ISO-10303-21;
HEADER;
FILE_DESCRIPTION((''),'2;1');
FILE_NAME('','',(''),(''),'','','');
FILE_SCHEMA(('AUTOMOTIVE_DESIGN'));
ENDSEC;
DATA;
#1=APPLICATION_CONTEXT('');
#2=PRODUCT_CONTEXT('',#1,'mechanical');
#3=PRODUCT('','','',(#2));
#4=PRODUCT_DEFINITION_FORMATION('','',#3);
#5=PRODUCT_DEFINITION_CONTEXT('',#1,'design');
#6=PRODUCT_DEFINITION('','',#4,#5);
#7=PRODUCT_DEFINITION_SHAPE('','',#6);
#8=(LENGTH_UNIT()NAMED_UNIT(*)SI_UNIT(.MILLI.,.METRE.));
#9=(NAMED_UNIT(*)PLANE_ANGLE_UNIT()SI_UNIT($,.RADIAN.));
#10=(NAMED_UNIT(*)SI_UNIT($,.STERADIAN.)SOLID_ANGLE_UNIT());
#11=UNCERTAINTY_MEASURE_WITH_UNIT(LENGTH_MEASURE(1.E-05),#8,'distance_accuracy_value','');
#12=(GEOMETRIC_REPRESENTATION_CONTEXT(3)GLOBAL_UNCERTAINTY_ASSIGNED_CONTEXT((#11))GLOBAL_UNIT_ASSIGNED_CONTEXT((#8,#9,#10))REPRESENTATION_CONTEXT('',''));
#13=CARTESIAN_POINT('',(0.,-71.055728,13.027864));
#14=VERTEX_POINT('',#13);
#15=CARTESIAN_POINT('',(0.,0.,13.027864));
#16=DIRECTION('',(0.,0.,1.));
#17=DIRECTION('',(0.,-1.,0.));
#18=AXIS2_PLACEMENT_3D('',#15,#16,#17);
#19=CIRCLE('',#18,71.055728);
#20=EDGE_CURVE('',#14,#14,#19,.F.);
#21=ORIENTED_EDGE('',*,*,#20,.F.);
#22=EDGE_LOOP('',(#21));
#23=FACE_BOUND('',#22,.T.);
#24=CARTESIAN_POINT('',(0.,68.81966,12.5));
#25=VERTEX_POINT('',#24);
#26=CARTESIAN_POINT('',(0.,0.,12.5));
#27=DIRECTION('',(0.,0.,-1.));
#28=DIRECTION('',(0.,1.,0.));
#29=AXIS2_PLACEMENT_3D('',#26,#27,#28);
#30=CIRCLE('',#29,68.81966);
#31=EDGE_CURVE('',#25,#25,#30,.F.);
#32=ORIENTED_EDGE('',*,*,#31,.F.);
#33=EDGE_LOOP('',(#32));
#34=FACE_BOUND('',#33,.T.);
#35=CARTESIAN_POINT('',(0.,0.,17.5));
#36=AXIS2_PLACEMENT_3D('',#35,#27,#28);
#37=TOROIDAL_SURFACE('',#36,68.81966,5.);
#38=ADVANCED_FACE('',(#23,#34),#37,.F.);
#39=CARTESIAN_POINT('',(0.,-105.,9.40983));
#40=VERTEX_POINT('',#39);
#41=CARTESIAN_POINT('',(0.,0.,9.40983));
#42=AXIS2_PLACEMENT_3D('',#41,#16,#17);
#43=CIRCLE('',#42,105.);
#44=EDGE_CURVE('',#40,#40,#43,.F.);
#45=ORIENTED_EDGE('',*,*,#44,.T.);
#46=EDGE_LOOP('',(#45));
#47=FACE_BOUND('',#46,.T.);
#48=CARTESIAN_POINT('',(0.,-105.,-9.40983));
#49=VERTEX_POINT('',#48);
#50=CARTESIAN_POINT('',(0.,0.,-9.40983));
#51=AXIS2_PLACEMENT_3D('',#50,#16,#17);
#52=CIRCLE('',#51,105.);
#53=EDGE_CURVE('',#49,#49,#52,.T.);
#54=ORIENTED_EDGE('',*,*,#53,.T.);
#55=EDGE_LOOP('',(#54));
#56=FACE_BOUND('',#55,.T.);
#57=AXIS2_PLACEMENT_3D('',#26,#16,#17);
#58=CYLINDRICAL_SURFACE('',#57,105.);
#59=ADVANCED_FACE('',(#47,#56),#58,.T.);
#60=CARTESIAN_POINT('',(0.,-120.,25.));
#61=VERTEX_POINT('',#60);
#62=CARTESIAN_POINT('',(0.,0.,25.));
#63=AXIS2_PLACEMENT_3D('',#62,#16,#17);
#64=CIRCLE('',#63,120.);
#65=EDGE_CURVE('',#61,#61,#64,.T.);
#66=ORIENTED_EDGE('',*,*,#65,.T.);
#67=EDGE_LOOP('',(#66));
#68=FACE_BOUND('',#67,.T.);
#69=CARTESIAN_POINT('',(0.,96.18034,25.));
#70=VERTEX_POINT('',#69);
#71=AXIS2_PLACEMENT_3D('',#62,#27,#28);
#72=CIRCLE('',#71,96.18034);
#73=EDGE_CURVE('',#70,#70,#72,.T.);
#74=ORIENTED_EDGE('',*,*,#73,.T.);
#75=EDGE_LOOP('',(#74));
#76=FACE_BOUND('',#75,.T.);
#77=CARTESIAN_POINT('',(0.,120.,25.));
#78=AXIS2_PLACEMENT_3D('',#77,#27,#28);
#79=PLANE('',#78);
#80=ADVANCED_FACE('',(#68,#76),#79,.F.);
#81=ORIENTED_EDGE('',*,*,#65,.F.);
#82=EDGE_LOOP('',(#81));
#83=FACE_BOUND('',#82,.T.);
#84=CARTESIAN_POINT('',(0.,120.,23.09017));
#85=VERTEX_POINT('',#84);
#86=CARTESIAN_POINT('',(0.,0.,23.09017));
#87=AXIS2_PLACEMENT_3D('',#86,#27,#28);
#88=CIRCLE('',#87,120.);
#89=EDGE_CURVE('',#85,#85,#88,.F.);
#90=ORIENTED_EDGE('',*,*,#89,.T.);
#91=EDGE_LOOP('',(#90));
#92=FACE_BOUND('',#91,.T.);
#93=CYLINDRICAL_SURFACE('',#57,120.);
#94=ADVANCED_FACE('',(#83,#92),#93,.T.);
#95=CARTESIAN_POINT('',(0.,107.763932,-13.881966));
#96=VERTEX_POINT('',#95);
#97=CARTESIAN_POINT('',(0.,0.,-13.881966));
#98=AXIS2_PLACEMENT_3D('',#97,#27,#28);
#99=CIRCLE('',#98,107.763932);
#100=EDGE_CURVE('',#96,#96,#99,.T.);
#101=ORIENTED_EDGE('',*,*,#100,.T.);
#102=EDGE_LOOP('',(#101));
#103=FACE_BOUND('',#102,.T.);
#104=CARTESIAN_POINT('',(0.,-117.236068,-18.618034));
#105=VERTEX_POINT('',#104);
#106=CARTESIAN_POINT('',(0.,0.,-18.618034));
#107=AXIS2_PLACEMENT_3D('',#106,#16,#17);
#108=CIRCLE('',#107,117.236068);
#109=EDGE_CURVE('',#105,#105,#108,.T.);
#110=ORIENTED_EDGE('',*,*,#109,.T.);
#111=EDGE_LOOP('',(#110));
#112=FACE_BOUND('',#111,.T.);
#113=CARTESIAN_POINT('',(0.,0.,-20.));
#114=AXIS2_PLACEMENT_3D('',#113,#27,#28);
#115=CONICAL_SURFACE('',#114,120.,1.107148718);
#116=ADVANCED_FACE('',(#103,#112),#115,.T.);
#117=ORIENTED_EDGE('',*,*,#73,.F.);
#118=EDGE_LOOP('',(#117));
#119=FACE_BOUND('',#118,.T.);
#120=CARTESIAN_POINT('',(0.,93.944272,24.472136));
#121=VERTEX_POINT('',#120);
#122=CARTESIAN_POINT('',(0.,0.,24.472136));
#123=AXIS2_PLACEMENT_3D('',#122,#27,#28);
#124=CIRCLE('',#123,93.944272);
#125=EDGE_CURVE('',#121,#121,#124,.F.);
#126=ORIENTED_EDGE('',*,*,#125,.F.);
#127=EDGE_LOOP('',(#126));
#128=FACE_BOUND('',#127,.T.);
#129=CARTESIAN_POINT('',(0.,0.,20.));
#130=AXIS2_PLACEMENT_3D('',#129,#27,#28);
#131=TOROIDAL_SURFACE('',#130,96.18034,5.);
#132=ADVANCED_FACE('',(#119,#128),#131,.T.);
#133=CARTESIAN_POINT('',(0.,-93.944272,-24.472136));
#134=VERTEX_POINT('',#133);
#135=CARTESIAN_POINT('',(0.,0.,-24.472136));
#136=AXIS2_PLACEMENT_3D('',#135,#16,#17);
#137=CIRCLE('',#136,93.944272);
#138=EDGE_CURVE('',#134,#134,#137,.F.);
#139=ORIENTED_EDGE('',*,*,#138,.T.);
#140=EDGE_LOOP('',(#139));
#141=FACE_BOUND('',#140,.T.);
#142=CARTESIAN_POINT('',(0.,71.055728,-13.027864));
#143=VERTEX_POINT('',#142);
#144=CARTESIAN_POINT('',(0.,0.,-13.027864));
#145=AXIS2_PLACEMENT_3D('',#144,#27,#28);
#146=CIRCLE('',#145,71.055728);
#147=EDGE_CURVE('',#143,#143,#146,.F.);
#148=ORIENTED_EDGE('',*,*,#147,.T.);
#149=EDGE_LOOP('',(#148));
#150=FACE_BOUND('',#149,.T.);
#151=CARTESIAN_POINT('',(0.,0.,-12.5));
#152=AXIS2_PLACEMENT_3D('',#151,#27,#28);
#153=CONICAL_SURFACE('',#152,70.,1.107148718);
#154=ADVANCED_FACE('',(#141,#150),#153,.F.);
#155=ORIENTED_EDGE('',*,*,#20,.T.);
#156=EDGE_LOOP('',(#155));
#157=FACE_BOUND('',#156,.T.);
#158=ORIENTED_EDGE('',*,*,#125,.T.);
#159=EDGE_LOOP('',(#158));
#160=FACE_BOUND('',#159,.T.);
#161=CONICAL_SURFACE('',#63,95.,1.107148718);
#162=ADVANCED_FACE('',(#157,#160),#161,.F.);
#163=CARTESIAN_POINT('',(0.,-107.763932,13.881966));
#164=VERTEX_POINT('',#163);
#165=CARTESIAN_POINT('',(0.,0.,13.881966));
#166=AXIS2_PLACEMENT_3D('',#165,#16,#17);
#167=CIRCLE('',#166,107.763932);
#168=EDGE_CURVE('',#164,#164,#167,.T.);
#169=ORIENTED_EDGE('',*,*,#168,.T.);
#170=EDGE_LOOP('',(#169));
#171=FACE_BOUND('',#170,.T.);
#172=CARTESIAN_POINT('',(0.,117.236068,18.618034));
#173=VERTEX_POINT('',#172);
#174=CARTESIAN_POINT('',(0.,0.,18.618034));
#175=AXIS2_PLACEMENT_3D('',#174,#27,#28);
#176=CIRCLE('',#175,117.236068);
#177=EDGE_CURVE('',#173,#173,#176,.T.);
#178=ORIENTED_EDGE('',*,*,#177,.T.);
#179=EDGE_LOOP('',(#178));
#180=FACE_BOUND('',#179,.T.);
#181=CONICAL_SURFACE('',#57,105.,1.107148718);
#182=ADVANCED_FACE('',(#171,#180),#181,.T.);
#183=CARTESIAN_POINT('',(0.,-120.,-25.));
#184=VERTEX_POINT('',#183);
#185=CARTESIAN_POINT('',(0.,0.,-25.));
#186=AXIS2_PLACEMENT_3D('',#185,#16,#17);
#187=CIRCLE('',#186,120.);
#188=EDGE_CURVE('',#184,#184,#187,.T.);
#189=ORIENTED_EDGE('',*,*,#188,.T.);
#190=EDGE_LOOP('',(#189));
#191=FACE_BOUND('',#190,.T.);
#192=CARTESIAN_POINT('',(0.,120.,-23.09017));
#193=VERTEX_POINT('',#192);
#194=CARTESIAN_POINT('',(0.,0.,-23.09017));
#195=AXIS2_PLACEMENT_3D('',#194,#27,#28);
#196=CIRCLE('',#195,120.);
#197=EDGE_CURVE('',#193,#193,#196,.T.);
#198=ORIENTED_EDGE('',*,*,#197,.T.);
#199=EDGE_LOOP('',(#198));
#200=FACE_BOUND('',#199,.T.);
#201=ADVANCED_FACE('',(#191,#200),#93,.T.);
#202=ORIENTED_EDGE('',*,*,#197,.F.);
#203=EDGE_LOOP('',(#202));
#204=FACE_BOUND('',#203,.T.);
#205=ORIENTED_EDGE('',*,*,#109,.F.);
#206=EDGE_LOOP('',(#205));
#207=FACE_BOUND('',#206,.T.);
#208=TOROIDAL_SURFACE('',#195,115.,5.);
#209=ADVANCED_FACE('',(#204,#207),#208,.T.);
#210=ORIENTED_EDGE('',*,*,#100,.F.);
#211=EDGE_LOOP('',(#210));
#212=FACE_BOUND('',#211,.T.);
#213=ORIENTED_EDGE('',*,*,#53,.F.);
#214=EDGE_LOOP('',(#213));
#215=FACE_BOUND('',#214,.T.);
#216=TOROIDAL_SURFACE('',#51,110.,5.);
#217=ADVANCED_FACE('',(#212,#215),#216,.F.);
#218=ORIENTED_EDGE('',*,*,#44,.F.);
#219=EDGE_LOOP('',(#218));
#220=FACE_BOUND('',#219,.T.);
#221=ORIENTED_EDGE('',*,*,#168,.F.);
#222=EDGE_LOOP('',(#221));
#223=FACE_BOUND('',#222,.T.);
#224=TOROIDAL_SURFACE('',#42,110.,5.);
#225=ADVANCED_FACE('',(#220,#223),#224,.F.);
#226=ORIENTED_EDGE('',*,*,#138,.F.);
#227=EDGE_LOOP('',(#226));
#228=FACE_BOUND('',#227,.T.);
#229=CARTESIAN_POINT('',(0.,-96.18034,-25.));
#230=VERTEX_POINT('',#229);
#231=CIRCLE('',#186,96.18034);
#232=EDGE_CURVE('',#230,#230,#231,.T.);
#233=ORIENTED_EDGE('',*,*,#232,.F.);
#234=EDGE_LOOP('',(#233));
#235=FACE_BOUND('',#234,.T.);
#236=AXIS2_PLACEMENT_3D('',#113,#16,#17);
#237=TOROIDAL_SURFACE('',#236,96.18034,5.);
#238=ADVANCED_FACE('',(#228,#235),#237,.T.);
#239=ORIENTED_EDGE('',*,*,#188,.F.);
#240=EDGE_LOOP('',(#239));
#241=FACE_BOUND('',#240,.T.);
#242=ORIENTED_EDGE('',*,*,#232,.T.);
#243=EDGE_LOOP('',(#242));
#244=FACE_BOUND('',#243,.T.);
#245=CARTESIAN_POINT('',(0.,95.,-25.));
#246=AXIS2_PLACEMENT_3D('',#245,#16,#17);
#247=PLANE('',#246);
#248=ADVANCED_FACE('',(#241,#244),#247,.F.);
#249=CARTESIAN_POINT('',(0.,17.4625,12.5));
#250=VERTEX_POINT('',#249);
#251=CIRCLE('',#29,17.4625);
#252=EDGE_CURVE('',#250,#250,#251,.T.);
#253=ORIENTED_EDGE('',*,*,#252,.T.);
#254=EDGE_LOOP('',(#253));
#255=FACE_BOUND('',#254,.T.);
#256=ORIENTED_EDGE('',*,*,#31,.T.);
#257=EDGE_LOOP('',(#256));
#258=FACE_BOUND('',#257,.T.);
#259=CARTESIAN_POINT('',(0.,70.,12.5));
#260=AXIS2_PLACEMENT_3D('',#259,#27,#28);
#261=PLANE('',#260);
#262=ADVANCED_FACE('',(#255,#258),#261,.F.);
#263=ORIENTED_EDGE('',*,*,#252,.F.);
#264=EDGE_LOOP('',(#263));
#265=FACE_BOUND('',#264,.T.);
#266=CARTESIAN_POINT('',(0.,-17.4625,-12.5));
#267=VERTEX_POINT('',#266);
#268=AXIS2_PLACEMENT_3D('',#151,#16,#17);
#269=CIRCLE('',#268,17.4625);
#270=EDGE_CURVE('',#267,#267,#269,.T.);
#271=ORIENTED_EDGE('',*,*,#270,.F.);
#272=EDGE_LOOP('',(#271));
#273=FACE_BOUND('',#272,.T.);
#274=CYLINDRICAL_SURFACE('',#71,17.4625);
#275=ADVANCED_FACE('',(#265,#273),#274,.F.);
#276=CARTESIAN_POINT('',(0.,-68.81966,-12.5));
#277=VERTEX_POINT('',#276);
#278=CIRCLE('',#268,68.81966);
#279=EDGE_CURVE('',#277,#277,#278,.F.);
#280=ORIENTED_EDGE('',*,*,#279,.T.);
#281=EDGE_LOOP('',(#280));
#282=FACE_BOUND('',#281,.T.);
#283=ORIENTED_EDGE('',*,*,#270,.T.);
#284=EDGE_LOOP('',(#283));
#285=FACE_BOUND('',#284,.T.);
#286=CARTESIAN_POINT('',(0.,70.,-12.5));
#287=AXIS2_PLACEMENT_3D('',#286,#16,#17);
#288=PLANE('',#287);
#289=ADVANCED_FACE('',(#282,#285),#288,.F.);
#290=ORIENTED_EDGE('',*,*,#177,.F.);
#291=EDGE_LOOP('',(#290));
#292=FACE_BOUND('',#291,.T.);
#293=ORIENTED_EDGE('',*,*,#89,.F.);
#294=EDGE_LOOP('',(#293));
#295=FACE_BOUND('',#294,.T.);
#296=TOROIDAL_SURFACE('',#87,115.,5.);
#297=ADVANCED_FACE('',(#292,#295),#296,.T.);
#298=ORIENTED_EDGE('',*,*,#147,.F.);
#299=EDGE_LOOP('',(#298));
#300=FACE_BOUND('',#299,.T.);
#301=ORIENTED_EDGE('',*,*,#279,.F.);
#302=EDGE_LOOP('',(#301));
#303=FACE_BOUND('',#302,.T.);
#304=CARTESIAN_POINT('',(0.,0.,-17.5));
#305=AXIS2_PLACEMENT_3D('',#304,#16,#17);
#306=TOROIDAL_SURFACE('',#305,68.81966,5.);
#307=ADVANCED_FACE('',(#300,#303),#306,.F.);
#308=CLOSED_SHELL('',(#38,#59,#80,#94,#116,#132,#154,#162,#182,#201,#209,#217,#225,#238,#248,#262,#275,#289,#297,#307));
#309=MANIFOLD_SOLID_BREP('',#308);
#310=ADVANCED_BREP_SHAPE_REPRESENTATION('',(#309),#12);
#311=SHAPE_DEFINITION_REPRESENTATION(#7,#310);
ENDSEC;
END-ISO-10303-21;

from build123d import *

# Parameters (mm, degrees)
FILLETS_R            = 5
SHAFT_CUT_DEPTH      = 174.799455871
SHAFT_CUT_DEPTH_BACK = 174.799455871
SKETCH3_R            = 17.4625


with BuildPart() as part:
    # Sketch1 → Main wheel extrude (revolve)
    with BuildSketch(Plane(origin=(0, 0, 0), x_dir=(0, 0, -1), z_dir=(1, 0, 0)), mode=Mode.PRIVATE) as main_wheel_extrude_sk:
        Polygon((-25, 120), (-25, 95), (-12.5, 70), (-12.5, 0), (12.5, 0), (12.5, 70), (25, 95), (25, 120), (20, 120), (12.5, 105), (-12.5, 105), (-20, 120), align=None)
    revolve(main_wheel_extrude_sk.sketch.rotate(Axis((0, 0, 12.5), (0, 0, -1)), 180), axis=Axis((0, 0, 12.5), (0, 0, -1)))

    # Fillets
    fillets_edges = [part.edges().sort_by_distance(p)[0] for p in [
        (0, 105, -12.5),
        (0, 120, -20),
        (0, 95, -25),
        (0, 70, -12.5),
        (0, 70, 12.5),
        (0, 95, 25),
        (0, 120, 20),
        (0, 105, 12.5),
    ]]
    fillet(fillets_edges, radius=FILLETS_R)

    # Sketch3 → Shaft cut (cut, two sides: drawn at the far end of the back side and taken through both)
    with BuildSketch(Plane(origin=(0, 0, -12.5), x_dir=(-1, 0, 0), z_dir=(0, 0, -1)).offset(-SHAFT_CUT_DEPTH_BACK)):
        with Locations(Location((0, 0, 0), (0, 0, 90))):
            Circle(SKETCH3_R)
    extrude(amount=SHAFT_CUT_DEPTH + SHAFT_CUT_DEPTH_BACK, mode=Mode.SUBTRACT)


solid = part.part
